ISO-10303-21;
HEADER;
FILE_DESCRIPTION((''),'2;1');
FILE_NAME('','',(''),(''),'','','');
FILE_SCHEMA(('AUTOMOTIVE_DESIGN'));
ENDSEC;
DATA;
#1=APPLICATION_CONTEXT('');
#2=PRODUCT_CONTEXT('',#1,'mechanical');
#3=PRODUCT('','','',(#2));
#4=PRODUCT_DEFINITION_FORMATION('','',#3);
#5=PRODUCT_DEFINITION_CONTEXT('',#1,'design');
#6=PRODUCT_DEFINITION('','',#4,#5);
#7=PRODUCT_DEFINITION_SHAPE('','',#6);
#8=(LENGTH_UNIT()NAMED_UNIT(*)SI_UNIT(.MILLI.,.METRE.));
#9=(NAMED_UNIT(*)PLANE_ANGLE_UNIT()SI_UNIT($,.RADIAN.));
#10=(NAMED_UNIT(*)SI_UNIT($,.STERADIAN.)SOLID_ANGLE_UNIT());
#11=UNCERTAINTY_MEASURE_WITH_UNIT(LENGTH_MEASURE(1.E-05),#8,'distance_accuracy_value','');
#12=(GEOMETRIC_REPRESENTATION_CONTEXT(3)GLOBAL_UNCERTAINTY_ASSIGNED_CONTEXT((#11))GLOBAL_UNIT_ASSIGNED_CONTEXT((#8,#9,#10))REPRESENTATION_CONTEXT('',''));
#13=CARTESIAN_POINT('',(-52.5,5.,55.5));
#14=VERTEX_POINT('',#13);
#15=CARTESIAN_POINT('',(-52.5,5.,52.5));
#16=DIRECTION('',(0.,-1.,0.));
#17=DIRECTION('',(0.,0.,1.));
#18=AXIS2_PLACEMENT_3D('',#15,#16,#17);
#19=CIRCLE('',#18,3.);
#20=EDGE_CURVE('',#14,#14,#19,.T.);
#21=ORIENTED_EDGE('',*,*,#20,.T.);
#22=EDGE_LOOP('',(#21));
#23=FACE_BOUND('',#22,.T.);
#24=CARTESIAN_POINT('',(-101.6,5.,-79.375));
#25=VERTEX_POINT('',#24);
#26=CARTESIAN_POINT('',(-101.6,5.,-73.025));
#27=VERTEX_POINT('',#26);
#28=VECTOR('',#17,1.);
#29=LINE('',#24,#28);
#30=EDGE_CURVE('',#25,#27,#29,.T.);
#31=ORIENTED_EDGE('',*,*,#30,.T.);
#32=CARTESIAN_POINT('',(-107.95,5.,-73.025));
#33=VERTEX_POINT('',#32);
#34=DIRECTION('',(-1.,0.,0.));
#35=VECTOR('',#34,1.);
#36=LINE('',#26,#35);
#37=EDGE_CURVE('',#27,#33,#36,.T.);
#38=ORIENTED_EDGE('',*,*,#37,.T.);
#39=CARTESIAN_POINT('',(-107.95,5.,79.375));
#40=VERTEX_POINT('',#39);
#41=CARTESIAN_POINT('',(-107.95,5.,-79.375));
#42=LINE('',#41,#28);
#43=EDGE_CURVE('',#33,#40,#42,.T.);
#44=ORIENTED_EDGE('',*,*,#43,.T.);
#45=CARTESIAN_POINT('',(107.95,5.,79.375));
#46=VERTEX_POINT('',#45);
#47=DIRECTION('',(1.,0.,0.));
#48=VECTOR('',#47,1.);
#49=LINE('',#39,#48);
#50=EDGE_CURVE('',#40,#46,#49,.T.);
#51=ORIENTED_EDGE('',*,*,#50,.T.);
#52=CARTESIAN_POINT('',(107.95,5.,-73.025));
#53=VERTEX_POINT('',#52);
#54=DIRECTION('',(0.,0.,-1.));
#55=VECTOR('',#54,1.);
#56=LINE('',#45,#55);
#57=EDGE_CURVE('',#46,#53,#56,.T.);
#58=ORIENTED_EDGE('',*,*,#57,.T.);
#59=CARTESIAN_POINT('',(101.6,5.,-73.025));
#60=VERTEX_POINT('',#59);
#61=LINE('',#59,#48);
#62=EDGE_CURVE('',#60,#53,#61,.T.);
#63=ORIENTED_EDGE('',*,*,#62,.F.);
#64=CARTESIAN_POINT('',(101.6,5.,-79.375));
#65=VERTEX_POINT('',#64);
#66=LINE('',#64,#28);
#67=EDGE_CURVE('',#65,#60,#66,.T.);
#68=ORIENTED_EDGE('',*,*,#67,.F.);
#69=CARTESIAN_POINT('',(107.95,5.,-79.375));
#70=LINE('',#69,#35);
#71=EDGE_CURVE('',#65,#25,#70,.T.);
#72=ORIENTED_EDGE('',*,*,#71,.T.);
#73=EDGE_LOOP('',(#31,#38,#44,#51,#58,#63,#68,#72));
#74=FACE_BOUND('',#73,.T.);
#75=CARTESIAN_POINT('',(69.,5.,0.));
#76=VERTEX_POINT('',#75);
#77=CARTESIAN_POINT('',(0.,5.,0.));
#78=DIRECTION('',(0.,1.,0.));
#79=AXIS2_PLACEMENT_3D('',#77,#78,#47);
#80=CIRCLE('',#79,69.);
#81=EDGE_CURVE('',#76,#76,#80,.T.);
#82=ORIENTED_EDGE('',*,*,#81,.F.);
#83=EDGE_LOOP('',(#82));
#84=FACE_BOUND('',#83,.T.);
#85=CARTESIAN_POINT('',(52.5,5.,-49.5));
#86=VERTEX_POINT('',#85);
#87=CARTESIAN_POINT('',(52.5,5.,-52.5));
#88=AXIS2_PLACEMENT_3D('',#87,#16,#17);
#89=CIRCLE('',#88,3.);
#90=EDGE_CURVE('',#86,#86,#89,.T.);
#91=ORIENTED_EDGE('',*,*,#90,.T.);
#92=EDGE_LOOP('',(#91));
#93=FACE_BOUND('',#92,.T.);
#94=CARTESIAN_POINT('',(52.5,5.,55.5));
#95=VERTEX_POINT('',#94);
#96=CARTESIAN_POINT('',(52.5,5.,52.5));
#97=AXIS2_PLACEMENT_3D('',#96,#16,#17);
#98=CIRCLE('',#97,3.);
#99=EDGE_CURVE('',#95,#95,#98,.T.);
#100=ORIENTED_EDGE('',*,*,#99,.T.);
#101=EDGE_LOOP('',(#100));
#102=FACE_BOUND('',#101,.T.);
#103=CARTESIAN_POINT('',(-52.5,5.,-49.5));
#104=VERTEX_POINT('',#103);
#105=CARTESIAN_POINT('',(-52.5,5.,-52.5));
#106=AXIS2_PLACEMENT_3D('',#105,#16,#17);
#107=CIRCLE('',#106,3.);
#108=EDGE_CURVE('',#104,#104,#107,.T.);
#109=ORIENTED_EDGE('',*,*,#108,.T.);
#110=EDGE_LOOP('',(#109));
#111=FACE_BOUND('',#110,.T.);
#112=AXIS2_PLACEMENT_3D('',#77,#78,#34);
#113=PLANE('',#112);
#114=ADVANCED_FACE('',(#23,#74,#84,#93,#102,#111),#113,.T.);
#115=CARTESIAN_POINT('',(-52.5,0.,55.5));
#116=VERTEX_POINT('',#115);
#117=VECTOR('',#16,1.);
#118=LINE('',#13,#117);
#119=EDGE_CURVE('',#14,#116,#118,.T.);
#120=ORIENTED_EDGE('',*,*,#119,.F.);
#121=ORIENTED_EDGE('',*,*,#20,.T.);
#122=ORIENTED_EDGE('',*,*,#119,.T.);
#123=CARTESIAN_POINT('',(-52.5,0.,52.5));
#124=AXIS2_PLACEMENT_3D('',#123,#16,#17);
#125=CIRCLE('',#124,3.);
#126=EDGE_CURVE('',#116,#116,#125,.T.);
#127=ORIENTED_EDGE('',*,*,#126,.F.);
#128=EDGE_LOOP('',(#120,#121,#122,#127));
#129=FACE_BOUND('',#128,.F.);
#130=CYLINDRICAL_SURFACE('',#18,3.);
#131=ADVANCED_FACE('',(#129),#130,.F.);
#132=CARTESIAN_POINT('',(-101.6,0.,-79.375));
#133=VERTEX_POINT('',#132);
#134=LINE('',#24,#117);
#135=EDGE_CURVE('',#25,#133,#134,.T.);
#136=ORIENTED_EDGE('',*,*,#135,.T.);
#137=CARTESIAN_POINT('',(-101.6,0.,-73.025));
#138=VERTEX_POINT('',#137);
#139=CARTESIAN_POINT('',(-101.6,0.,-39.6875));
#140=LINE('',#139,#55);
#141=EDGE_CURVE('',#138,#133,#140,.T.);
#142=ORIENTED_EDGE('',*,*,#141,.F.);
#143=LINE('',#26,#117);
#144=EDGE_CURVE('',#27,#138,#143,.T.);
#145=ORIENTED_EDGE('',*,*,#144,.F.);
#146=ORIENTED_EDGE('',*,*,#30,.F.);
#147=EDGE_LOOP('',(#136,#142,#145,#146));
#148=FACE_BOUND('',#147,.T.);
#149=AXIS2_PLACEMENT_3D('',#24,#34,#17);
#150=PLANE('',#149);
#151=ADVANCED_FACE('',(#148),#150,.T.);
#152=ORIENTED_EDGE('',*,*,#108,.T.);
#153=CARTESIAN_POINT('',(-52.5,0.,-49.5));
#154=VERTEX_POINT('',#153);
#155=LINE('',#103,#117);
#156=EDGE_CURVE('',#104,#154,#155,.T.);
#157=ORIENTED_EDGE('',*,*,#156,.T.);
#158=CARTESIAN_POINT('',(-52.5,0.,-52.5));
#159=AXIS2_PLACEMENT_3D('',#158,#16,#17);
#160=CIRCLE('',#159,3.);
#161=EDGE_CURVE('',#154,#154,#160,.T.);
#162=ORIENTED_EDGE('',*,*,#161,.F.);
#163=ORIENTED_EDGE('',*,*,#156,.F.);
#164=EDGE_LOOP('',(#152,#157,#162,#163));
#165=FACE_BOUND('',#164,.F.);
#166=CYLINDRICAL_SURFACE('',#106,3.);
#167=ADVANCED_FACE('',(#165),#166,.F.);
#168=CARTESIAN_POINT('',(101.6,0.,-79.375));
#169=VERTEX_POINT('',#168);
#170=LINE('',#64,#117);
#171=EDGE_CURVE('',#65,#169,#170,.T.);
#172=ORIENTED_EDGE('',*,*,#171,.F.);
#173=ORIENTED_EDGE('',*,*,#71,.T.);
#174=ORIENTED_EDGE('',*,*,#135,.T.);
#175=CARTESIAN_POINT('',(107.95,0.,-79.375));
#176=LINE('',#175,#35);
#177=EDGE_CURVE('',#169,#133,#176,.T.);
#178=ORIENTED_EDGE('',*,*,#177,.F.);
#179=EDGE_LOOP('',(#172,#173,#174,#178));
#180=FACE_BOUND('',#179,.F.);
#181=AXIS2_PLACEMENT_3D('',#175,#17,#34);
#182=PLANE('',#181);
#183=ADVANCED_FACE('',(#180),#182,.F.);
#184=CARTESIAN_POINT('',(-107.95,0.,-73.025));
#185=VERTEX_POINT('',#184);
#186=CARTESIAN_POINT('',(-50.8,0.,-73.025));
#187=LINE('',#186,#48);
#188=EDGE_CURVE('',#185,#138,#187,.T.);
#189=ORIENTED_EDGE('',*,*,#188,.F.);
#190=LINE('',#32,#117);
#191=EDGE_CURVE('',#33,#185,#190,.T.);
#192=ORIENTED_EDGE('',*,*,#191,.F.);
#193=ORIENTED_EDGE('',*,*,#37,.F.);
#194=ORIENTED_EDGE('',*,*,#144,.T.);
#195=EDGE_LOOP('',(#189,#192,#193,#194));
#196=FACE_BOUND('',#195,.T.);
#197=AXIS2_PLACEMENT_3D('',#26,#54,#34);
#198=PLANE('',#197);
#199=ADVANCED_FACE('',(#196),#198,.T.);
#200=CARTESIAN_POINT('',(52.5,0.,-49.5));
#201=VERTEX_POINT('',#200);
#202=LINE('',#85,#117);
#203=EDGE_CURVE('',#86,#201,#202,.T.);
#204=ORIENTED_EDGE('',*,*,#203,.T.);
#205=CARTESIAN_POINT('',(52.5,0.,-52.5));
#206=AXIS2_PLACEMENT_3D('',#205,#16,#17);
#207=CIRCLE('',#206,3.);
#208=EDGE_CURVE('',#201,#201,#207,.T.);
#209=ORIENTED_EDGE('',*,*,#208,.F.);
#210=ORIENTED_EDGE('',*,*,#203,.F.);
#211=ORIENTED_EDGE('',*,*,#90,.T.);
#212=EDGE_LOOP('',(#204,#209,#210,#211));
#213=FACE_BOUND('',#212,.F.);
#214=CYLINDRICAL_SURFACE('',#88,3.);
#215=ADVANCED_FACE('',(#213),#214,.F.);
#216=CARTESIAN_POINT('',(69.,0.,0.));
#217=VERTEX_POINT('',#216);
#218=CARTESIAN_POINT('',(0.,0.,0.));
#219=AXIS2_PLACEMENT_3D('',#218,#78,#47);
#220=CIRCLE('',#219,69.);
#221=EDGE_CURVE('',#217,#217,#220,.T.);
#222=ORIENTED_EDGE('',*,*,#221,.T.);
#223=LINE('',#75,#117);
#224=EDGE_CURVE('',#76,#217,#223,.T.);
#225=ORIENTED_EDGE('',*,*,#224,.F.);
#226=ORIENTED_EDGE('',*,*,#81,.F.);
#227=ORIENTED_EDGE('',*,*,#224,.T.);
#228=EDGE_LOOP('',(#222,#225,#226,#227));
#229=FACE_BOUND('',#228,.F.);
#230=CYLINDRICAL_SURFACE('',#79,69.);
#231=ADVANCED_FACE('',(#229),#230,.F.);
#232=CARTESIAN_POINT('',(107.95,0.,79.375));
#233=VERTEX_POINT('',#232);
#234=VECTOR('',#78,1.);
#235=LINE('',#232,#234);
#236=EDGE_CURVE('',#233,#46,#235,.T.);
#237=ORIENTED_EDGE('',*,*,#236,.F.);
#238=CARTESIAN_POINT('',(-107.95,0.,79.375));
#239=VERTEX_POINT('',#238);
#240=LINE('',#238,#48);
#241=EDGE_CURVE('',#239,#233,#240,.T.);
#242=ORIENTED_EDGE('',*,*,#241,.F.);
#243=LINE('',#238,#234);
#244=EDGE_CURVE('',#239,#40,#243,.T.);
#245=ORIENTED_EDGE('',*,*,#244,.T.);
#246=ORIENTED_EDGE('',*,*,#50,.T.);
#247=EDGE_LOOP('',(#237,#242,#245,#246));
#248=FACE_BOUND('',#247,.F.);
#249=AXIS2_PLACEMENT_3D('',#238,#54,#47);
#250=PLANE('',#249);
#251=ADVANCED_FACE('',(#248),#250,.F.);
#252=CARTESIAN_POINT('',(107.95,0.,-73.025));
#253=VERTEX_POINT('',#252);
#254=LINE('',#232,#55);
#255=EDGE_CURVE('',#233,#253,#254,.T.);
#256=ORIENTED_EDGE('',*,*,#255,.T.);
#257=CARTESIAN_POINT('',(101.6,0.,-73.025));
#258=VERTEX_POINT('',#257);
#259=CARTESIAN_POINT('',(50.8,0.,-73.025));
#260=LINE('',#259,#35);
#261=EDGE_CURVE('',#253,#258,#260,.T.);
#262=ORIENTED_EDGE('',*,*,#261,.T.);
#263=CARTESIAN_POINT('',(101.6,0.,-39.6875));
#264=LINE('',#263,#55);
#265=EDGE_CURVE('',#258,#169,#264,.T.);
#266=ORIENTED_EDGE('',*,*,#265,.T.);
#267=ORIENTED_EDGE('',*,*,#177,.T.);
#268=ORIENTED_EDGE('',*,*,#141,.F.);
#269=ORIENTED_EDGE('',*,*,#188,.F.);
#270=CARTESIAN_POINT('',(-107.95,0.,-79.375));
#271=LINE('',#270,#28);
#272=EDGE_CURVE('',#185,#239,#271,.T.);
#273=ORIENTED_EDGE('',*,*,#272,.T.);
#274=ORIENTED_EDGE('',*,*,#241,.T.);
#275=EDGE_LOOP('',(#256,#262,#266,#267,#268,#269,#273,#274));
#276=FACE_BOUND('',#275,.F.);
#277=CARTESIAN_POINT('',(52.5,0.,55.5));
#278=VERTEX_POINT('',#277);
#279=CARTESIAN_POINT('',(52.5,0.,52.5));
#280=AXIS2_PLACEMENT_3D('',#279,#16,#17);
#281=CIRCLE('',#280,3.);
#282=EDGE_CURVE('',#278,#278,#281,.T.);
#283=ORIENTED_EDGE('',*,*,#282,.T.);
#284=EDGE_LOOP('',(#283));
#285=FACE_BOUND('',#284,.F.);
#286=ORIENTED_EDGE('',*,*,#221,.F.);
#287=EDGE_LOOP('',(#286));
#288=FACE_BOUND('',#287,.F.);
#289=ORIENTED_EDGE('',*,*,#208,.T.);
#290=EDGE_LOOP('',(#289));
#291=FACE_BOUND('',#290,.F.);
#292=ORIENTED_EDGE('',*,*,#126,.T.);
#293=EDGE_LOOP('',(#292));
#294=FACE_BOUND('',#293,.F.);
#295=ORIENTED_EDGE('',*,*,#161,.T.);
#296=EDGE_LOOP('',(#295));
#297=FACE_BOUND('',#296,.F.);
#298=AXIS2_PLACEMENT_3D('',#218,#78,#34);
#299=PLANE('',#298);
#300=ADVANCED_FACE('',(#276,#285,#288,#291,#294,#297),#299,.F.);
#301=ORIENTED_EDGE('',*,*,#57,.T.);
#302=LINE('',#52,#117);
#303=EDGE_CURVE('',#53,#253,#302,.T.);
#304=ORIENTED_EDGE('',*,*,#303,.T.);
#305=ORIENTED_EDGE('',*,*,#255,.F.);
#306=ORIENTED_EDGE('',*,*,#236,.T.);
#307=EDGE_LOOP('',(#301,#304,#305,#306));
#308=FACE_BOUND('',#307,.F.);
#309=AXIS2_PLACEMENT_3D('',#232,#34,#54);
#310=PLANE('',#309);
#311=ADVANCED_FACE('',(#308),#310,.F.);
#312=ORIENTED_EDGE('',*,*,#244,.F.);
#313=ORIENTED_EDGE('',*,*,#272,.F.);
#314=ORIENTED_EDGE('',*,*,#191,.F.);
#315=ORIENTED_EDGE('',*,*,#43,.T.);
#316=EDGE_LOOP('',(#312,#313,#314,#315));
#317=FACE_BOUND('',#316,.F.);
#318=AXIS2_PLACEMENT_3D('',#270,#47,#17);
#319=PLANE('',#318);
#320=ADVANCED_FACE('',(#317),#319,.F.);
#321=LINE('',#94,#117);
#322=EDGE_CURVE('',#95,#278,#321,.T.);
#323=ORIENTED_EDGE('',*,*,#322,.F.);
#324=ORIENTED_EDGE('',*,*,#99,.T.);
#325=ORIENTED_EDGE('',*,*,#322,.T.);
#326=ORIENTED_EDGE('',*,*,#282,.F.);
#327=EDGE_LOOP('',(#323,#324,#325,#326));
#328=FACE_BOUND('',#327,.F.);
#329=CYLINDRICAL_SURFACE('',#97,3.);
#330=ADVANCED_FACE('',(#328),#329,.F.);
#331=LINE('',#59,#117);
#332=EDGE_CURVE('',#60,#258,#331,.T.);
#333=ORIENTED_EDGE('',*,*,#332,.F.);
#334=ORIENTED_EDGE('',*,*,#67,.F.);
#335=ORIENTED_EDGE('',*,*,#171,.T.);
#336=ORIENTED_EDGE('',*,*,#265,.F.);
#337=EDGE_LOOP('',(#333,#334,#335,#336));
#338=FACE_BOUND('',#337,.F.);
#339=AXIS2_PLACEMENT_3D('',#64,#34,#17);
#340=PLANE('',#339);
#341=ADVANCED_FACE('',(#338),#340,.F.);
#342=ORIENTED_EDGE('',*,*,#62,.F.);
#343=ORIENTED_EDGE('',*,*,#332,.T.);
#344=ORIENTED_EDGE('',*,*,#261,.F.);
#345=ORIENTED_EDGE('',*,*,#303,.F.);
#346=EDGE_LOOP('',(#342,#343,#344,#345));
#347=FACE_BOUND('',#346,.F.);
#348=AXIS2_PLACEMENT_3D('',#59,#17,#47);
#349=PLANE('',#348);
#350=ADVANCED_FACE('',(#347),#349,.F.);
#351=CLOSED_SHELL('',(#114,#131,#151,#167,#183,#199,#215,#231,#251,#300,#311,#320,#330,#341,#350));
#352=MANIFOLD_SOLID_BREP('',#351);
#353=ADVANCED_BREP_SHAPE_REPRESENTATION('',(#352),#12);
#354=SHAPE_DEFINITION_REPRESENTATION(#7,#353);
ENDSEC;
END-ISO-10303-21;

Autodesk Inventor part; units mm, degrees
ref_plane "YZ Plane" through (0, 0, 0) normal (1, 0, 0) x (0, 1, 0)
ref_plane "XZ Plane" through (0, 0, 0) normal (0, 1, 0) x (-1, 0, 0)
ref_plane "XY Plane" through (0, 0, 0) normal (0, 0, 1) x (1, 0, 0)
sketch "Sketch1" plane through (0, 0, 0) normal (0, 1, 0) x (-1, 0, 0)
  line L0 (107.95, 79.375) -> (-107.95, 79.375)
  line L1 (-107.95, 79.375) -> (-107.95, -79.375)
  line L2 (-107.95, -79.375) -> (107.95, -79.375)
  line L3 (107.95, -79.375) -> (107.95, 79.375)
  line L4 (107.95, 79.375) -> (-107.95, -79.375) construction
  line L5 (-107.95, 79.375) -> (107.95, -79.375) construction
  point P0 (0, 0)
  dimension "d0" = 215.9
  dimension "d1" = 158.75
extrude "Extrusion1" add sketch "Sketch1" along normal blind 5
sketch "Sketch2" plane through (0, 5, 0) normal (0, 1, 0) x (1, 0, 0)
  line L0 (107.95, 79.375) -> (-107.95, 79.375) projected
  line L1 (-107.95, 79.375) -> (-101.6, 79.375)
  line L2 (-101.6, 79.375) -> (-101.6, 73.025)
  line L3 (-101.6, 73.025) -> (-107.95, 73.025)
  line L4 (-107.95, 73.025) -> (-107.95, 79.375)
  line L5 (107.95, 79.375) -> (101.6, 79.375)
  line L6 (101.6, 79.375) -> (101.6, 73.025)
  line L7 (101.6, 73.025) -> (107.95, 73.025)
  line L8 (107.95, 73.025) -> (107.95, 79.375)
  point P0 (0, 0)
  dimension "d4" = 6.35
  dimension "d5" = 6.35
  dimension "d6" = 6.35
  dimension "d7" = 6.35
extrude "Extrusion2" cut sketch "Sketch2" against normal up to next
sketch "Sketch3" plane through (0, 5, 0) normal (0, 1, 0) x (1, 0, 0)
  point P0 (0, 0)
  point P1 (-52.5, 52.5)
  point P2 (-52.5, -52.5)
  point P3 (52.5, -52.5)
  point P4 (52.5, 52.5)
  dimension "d17" = 105
  dimension "d18" = 105
  dimension "d19" = 52.5
  dimension "d20" = 52.5
  dimension "d21" = 105
  dimension "d22" = 52.5
  dimension "d23" = 105
  dimension "d24" = 52.5
hole "Hole1" at (-52.5, 5, -52.5) at (-52.5, 5, 52.5) at (52.5, 5, 52.5) at (52.5, 5, -52.5) direction (0, -1, 0) diameter 6 depth 10.9728 tip angle 118
sketch "Sketch4" plane through (0, 5, 0) normal (0, 1, 0) x (1, 0, 0)
  circle A0 centre (0, 0) radius 69
  dimension "d25" = 138
extrude "Extrusion3" cut sketch "Sketch4" against normal up to next
properties part number "PowerSupplyEncEnds"
